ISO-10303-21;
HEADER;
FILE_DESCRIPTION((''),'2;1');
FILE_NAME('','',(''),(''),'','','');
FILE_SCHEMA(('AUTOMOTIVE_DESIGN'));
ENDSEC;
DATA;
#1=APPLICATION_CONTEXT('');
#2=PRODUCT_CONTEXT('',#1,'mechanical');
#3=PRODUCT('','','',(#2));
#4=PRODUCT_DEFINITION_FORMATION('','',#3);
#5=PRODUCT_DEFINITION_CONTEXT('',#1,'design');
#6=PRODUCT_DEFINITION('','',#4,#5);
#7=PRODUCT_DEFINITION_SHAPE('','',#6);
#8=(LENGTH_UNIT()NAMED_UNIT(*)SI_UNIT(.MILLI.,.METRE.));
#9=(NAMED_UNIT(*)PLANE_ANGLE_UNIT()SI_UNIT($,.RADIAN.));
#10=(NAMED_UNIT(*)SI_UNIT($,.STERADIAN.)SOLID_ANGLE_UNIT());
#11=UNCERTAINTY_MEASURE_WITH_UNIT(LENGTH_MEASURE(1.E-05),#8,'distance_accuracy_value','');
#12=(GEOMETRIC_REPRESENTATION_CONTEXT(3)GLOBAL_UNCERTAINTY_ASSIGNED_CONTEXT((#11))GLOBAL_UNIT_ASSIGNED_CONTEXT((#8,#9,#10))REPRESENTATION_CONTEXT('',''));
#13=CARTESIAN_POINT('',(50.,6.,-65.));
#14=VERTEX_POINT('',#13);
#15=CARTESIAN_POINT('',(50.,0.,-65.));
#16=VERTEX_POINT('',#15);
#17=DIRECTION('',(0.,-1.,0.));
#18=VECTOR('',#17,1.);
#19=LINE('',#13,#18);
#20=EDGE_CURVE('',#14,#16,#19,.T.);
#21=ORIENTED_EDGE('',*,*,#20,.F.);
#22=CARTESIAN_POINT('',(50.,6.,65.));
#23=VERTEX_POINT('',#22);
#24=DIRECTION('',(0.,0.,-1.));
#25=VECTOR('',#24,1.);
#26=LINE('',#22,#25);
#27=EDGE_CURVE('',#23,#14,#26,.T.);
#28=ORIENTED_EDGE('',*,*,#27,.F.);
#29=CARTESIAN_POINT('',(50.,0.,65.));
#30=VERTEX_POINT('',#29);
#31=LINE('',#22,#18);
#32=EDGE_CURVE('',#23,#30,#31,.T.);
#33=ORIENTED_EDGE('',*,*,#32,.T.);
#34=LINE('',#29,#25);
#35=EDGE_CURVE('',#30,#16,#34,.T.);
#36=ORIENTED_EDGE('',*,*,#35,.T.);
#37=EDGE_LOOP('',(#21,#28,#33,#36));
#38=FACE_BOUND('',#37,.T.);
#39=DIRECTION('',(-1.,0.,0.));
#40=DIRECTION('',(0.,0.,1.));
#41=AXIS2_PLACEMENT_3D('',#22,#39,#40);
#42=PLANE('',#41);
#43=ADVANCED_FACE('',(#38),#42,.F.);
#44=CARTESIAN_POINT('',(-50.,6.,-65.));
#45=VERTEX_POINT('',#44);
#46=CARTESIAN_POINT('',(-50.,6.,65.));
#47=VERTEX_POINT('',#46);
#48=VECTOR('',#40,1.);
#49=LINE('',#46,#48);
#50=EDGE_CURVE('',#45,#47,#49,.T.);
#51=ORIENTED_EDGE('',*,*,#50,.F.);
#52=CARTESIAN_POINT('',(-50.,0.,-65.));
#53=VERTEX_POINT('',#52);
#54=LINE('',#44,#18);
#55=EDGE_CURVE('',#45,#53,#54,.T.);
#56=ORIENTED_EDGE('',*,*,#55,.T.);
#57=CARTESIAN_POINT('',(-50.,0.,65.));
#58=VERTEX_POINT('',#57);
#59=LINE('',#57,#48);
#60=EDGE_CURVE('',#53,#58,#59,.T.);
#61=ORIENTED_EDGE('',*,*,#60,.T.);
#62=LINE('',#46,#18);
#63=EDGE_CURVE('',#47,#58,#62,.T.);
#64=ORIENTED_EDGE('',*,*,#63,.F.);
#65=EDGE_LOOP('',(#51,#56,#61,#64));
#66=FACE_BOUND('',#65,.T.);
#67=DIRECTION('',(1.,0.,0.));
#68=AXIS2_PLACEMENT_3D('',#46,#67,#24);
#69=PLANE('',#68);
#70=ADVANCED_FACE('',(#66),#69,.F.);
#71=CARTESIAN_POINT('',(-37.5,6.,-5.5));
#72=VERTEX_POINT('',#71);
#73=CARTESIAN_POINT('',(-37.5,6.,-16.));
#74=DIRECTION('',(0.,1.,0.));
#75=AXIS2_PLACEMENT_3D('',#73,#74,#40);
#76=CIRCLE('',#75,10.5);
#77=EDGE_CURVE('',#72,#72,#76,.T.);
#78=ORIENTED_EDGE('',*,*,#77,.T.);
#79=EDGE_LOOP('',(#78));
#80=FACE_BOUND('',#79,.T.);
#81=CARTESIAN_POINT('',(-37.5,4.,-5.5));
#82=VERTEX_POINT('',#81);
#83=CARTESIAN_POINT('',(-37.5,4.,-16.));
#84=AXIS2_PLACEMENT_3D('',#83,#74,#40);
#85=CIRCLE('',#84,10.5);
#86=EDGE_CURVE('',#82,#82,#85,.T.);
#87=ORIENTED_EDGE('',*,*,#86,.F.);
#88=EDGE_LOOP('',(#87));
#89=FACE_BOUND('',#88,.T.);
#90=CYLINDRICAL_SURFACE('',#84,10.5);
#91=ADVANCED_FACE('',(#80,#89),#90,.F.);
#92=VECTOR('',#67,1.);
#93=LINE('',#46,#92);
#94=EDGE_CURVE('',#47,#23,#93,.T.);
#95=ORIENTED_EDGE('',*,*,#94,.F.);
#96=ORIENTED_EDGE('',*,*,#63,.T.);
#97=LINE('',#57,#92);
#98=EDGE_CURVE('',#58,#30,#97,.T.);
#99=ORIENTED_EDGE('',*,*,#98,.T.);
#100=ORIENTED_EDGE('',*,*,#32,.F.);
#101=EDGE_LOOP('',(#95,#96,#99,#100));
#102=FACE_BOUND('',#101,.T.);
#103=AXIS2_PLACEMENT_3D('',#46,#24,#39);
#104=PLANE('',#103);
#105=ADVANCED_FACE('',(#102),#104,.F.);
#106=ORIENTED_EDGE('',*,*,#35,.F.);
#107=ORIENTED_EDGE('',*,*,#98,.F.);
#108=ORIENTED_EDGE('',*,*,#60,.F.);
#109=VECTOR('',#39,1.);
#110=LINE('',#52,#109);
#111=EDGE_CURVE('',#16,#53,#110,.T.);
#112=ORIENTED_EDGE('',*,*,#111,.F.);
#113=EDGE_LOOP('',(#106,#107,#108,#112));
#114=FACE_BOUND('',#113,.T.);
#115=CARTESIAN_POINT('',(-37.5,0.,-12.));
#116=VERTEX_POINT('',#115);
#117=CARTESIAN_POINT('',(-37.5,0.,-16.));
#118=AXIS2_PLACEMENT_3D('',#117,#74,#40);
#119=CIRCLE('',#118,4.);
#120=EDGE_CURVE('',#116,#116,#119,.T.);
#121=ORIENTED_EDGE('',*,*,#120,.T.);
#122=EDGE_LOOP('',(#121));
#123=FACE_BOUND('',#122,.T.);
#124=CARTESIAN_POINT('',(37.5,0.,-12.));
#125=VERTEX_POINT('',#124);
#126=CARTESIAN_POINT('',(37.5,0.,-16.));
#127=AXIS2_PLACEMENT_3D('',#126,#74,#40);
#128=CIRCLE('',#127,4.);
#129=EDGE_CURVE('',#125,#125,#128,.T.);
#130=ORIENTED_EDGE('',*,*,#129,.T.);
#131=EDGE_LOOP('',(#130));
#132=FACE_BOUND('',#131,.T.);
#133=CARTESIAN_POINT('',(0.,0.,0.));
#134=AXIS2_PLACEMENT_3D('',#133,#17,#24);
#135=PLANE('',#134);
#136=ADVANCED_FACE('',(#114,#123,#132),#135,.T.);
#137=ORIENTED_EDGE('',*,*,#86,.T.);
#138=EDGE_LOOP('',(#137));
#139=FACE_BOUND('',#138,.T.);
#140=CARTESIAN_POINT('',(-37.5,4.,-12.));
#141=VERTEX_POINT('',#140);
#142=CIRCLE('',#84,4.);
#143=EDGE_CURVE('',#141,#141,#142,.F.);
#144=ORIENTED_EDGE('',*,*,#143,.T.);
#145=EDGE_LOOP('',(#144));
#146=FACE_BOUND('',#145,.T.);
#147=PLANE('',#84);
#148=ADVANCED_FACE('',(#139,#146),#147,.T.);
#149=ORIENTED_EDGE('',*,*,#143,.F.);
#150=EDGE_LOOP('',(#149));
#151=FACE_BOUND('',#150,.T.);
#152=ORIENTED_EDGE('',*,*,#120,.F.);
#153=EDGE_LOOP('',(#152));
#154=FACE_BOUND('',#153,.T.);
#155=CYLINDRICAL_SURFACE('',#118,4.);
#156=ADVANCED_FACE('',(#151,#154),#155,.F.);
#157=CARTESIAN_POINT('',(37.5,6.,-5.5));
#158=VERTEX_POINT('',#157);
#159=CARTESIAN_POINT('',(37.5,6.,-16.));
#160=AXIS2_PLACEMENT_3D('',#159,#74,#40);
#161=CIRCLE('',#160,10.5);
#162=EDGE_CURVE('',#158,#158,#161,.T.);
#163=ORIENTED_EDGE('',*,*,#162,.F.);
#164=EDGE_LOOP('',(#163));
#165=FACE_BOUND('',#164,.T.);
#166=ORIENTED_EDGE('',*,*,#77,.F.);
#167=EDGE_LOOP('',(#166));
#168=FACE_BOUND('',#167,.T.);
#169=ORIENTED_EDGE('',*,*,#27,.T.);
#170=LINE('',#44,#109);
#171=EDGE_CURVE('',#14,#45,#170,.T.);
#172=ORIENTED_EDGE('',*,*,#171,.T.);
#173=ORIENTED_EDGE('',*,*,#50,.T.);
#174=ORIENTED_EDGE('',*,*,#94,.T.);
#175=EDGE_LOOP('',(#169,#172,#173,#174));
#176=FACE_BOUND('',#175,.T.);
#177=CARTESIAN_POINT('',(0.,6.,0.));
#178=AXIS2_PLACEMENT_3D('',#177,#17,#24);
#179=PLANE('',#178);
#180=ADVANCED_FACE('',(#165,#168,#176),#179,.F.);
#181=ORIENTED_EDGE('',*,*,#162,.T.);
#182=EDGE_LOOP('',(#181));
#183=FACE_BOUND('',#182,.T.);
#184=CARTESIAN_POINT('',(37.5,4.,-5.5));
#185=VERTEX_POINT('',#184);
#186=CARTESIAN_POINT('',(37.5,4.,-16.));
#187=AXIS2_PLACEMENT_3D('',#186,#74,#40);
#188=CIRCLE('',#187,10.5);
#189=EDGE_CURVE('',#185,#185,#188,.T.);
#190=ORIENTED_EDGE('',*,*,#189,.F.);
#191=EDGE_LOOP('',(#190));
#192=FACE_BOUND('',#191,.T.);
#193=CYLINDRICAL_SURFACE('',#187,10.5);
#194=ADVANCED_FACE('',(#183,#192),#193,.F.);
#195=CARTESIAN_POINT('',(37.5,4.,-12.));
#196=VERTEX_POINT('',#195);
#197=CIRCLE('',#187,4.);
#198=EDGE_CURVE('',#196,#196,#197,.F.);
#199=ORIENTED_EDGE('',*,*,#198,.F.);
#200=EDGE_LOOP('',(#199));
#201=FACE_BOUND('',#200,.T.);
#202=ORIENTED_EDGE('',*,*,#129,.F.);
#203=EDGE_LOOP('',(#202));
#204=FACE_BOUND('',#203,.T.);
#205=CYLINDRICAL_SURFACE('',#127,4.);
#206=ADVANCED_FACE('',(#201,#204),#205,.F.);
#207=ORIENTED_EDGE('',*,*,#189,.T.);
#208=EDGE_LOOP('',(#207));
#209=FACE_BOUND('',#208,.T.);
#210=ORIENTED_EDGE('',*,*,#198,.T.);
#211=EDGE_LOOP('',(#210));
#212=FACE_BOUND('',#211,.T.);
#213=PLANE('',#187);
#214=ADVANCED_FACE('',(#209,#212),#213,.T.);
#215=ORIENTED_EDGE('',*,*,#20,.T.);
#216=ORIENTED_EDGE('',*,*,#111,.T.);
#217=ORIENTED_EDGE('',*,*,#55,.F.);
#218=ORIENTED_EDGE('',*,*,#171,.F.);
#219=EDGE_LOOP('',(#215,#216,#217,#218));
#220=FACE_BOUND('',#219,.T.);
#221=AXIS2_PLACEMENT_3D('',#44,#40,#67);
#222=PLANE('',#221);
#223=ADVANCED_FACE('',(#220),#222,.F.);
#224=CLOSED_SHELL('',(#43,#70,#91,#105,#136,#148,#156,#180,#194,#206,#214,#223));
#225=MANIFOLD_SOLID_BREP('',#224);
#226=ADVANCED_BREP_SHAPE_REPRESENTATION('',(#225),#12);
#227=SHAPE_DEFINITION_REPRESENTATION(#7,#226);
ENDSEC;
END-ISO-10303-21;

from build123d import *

# Parameters (mm, degrees)
SKETCH1_W           = 100
SKETCH1_H           = 130
BOSS_EXTRUDE1_DEPTH = 6
SKETCH3_R           = 4
CUT_EXTRUDE2_DEPTH  = 7
SKETCH4_R           = 10.5
CUT_EXTRUDE3_DEPTH  = 2


with BuildPart() as part:
    # Sketch1 → Boss-Extrude1 (new body)
    with BuildSketch(Plane(origin=(0, 0, 0), x_dir=(1, 0, 0), z_dir=(0, 1, 0))):
        Rectangle(SKETCH1_W, SKETCH1_H)
    extrude(amount=BOSS_EXTRUDE1_DEPTH)

    # Sketch3 → Cut-Extrude2 (cut, through all)
    with BuildSketch(Plane(origin=(0, 6, 0), x_dir=(1, 0, 0), z_dir=(0, 1, 0))):
        with Locations((-37.5, 16)):
            Circle(SKETCH3_R)
        with Locations((37.5, 16)):
            Circle(SKETCH3_R)
    extrude(amount=-CUT_EXTRUDE2_DEPTH, mode=Mode.SUBTRACT)

    # Sketch4 → Cut-Extrude3 (cut)
    with BuildSketch(Plane(origin=(0, 6, 0), x_dir=(1, 0, 0), z_dir=(0, 1, 0))):
        with Locations((37.5, 16)):
            Circle(SKETCH4_R)
        with Locations((-37.5, 16)):
            Circle(SKETCH4_R)
    extrude(amount=-CUT_EXTRUDE3_DEPTH, mode=Mode.SUBTRACT)


solid = part.part
